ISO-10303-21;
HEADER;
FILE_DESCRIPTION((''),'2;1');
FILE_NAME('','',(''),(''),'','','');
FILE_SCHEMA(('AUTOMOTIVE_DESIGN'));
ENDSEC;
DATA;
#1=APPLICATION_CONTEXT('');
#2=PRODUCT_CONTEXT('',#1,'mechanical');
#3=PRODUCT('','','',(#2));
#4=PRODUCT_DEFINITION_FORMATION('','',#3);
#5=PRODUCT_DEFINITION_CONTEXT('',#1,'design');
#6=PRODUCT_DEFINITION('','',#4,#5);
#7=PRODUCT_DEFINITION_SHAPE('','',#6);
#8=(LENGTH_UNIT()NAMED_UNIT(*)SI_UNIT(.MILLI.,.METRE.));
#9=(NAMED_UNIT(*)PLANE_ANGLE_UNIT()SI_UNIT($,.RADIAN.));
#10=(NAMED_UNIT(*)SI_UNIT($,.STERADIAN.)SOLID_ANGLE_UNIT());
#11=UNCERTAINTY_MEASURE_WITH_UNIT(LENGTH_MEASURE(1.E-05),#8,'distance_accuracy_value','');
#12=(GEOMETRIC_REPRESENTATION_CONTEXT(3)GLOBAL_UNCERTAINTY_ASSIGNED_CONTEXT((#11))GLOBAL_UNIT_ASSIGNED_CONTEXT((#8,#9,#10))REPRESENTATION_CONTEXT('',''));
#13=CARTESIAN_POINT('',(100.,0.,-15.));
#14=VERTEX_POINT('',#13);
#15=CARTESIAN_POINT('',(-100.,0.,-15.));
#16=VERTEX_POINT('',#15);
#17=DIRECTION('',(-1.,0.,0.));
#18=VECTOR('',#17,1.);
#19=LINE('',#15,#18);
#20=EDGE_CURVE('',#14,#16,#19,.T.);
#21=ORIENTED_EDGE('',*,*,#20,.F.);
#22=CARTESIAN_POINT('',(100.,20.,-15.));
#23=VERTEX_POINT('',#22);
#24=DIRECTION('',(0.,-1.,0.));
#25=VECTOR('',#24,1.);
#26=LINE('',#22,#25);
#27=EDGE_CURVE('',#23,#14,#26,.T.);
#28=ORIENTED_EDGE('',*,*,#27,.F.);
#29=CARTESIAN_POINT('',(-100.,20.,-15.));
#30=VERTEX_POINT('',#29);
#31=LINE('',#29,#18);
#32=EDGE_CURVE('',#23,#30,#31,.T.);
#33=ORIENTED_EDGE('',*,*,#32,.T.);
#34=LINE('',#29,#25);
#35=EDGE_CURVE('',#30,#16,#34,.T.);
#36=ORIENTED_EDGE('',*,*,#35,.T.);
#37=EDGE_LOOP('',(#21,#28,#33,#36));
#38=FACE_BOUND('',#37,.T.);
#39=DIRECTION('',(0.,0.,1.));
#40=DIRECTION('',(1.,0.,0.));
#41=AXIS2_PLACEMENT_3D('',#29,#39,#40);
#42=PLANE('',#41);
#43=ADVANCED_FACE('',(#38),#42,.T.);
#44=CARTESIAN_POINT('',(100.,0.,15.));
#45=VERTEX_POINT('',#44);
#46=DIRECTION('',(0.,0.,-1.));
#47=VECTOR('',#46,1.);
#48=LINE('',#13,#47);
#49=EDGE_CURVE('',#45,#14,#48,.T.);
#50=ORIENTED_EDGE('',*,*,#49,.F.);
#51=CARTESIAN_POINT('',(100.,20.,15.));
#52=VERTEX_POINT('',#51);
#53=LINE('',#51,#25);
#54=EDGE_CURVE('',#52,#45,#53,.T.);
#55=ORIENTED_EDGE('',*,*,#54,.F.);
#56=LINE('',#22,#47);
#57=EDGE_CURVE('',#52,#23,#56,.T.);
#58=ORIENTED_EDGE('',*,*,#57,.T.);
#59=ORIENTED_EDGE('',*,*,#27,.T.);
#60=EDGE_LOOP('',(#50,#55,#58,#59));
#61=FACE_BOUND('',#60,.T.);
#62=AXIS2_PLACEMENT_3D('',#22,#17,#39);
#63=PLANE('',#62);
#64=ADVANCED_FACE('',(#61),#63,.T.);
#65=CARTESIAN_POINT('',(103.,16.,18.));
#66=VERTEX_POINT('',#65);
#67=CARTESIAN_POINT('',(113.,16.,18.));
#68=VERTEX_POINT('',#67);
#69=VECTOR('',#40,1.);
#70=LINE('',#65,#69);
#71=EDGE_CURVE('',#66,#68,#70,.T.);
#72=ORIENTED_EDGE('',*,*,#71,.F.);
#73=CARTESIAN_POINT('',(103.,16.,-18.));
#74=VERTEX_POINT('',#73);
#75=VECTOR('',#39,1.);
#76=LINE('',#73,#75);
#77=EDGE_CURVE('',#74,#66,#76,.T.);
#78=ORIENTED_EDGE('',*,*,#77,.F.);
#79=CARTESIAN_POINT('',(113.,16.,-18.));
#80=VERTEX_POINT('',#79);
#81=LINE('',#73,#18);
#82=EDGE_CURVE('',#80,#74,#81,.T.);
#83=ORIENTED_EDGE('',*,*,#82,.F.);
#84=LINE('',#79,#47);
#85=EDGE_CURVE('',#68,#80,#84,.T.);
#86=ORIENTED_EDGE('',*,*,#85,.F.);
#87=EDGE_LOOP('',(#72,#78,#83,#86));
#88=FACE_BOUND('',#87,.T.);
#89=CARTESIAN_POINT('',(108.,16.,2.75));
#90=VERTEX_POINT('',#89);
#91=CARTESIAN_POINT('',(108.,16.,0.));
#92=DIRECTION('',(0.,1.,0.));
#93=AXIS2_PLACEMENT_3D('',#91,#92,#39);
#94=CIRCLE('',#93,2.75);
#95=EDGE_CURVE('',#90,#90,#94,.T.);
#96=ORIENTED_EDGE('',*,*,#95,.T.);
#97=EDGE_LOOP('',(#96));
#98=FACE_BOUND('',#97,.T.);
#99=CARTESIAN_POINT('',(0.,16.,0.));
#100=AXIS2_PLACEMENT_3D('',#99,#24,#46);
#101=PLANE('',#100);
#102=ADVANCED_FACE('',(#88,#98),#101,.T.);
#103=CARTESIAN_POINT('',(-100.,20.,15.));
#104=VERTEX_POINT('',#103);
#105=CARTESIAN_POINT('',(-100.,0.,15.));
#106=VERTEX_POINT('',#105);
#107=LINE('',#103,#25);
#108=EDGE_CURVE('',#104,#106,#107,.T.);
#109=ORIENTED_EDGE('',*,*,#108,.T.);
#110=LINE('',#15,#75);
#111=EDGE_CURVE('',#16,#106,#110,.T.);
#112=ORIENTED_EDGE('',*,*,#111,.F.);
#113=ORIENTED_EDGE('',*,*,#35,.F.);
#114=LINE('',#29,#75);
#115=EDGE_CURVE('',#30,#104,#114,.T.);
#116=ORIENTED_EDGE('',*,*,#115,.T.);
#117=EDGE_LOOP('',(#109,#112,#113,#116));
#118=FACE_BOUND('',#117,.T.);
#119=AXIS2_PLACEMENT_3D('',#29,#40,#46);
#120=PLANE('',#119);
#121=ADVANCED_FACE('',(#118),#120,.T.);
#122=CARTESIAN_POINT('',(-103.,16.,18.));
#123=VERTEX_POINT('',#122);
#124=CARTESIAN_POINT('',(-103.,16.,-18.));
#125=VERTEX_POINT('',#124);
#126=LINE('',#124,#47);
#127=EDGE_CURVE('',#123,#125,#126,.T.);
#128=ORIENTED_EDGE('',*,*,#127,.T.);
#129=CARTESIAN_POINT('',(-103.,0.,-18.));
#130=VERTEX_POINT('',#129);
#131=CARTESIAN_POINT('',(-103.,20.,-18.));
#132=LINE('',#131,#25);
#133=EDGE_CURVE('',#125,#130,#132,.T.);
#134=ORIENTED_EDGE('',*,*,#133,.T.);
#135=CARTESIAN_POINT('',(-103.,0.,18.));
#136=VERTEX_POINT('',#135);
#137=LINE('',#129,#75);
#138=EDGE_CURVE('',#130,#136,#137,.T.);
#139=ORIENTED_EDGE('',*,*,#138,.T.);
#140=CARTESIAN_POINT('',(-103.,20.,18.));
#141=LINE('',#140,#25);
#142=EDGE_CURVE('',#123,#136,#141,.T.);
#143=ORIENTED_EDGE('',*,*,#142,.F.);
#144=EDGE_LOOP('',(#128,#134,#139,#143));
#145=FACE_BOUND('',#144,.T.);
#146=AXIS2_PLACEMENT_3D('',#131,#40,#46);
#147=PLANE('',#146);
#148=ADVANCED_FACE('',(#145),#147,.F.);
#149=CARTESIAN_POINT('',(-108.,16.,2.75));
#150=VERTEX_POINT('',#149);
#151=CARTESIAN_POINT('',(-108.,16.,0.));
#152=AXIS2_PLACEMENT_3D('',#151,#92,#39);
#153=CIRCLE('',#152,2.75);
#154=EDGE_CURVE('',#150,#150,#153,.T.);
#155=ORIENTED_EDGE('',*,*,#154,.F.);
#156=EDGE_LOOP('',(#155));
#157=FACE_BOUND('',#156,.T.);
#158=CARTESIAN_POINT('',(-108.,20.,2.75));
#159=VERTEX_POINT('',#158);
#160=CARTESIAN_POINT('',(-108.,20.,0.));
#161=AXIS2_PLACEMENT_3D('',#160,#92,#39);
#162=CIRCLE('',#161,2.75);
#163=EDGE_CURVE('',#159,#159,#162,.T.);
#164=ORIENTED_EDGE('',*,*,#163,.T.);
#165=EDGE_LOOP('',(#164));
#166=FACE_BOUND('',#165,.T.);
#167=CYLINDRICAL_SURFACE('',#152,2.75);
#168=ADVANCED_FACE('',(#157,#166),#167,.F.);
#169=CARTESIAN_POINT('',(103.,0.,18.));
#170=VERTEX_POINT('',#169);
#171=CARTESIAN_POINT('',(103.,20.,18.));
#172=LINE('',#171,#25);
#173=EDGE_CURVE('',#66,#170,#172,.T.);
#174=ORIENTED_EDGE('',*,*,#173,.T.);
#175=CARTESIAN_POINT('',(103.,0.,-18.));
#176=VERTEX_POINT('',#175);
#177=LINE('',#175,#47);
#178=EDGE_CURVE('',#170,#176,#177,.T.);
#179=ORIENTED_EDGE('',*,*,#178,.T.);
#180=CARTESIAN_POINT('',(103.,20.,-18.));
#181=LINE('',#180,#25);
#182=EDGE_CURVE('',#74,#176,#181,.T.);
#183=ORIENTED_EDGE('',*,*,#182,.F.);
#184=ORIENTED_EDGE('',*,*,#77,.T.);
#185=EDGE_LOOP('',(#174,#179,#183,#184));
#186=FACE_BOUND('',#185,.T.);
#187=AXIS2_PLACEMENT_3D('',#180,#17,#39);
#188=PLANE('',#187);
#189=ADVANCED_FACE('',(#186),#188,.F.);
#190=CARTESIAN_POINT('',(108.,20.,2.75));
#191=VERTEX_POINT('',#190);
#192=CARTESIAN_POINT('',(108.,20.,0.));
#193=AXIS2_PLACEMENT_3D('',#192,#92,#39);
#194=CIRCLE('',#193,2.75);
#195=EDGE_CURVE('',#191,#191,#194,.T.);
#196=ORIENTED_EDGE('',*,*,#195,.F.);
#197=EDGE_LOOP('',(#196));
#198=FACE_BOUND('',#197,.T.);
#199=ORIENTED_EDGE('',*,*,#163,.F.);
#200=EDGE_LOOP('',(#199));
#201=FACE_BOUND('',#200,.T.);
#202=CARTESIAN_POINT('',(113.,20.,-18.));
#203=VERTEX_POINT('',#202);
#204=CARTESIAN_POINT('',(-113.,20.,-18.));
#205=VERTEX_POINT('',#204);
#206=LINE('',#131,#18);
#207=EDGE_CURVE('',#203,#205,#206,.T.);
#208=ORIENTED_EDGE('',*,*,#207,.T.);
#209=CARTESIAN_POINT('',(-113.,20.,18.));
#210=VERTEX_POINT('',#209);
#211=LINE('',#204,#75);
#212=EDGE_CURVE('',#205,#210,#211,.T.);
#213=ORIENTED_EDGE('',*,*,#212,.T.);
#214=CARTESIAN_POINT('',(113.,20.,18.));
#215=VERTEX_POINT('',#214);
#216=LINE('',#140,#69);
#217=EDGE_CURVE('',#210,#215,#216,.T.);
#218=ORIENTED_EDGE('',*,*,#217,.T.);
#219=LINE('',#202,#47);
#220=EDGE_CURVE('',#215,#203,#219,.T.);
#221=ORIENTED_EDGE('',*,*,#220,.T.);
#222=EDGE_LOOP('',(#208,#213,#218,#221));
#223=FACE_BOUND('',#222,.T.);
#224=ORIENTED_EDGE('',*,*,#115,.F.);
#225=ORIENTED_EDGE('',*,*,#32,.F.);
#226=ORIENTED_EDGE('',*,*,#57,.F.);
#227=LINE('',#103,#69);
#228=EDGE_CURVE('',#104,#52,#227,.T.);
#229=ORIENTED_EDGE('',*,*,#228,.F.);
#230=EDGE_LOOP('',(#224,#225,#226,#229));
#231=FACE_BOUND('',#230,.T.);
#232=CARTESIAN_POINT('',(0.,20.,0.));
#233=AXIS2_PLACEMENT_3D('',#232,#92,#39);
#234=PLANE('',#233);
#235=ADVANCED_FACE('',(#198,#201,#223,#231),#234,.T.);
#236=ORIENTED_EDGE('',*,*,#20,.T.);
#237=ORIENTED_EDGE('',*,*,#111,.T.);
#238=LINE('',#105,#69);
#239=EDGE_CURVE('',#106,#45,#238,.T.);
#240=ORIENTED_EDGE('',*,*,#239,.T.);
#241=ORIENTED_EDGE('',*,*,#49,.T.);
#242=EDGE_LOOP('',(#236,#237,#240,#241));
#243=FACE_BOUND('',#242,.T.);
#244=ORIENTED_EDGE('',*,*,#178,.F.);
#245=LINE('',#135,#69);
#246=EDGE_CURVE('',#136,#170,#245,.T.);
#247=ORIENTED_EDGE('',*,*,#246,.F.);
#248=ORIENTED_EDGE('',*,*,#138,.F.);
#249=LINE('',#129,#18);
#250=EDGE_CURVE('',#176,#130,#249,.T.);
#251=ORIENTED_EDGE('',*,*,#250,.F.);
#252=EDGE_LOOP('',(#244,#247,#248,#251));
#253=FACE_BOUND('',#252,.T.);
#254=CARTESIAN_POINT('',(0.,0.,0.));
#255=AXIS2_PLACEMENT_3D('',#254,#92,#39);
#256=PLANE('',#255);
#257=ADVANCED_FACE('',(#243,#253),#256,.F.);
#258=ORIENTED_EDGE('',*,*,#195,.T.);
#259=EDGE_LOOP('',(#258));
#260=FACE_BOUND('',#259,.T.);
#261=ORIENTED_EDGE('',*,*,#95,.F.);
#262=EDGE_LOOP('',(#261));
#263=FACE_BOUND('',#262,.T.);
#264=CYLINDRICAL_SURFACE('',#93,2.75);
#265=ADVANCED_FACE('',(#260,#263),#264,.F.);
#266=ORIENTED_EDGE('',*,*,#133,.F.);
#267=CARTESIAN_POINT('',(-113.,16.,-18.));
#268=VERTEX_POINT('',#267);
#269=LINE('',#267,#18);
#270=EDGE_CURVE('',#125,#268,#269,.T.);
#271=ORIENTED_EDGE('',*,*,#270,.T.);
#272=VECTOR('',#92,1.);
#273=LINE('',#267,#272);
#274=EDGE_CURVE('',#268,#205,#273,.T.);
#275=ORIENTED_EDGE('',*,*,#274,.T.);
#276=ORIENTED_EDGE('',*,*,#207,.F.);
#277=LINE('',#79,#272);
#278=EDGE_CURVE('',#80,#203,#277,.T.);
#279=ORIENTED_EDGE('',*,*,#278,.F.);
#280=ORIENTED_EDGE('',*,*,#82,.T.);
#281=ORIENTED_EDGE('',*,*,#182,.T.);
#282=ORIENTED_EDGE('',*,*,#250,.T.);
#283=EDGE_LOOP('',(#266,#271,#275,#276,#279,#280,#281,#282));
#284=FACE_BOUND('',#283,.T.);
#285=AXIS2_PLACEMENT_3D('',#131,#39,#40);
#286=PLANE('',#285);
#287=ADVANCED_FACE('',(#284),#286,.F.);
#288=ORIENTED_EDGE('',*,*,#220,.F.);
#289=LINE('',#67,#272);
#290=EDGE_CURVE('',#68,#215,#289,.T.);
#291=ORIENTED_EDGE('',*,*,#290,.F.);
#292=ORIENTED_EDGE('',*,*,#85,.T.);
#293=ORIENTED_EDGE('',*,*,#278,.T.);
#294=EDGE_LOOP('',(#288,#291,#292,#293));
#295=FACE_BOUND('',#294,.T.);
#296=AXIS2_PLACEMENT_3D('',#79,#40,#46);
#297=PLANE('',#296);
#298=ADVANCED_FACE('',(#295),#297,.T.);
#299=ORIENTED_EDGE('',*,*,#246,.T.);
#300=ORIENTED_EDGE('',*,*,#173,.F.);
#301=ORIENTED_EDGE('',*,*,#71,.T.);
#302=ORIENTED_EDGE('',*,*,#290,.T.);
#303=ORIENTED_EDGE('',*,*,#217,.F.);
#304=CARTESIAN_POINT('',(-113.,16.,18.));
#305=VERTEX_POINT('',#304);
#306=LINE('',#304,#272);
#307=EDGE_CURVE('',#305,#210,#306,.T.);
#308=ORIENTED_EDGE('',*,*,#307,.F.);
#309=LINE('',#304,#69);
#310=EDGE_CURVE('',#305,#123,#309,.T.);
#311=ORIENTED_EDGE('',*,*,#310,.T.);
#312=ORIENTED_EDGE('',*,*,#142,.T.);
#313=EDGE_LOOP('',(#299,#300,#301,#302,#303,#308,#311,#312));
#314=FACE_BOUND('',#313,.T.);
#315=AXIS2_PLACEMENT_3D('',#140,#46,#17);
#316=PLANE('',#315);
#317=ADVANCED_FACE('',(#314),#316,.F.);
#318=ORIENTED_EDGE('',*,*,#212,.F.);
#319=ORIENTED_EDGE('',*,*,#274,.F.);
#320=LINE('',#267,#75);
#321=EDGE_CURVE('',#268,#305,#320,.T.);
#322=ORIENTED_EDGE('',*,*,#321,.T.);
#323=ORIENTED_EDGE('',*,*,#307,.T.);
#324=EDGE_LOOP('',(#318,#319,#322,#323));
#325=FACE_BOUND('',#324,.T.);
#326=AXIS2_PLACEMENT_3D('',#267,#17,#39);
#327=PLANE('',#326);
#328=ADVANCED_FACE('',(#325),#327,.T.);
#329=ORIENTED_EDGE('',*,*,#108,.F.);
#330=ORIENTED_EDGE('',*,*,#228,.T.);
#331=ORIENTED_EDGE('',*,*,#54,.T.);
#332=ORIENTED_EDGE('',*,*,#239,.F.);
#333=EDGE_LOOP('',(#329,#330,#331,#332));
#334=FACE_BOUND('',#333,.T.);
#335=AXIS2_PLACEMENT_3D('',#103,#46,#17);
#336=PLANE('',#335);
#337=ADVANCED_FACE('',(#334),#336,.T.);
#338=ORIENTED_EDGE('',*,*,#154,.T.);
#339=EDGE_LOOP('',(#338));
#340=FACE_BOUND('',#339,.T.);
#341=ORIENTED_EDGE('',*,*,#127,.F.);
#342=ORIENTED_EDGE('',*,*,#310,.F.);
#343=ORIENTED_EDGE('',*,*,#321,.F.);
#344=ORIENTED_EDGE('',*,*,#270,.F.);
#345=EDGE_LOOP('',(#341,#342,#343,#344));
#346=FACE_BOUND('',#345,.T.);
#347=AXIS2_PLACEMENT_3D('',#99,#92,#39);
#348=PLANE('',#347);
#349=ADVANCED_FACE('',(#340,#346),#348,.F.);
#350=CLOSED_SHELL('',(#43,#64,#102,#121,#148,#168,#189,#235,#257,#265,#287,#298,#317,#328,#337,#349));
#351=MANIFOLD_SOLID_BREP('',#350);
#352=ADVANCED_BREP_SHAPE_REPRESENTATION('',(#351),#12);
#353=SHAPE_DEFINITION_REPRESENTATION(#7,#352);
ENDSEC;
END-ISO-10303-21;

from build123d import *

# Parameters (mm, degrees)
SKETCH_1_W          = 206
SKETCH_1_H          = 36
SKETCH_1_W_2        = 200
SKETCH_1_H_2        = 30
EXTRUDE_1_DEPTH     = 20
SKETCH_2_W          = 10
SKETCH_2_H          = 36
EXTRUDE_2_DEPTH     = 4
SKETCH_3_R          = 2.75
CUT_EXTRUDE_1_DEPTH = 4


with BuildPart() as part:
    # 草图1 → 凸台-拉伸1 (new body)
    with BuildSketch(Plane(origin=(0, 0, 0), x_dir=(1, 0, 0), z_dir=(0, 1, 0))):
        Rectangle(SKETCH_1_W, SKETCH_1_H)
        Rectangle(SKETCH_1_W_2, SKETCH_1_H_2, mode=Mode.SUBTRACT)
    extrude(amount=EXTRUDE_1_DEPTH)

    # 草图2 → 凸台-拉伸2 (add)
    with BuildSketch(Plane(origin=(0, 20, 0), x_dir=(1, 0, 0), z_dir=(0, 1, 0))):
        with Locations((-108, 0)):
            Rectangle(SKETCH_2_W, SKETCH_2_H)
        with Locations((108, 0)):
            Rectangle(SKETCH_2_W, SKETCH_2_H)
    extrude(amount=-EXTRUDE_2_DEPTH)

    # 草图3 → 切除-拉伸1 (cut)
    with BuildSketch(Plane(origin=(0, 20, 0), x_dir=(1, 0, 0), z_dir=(0, 1, 0))):
        with Locations(Location((108, 0, 0), (0, 0, 270))):
            Circle(SKETCH_3_R)
        with Locations(Location((-108, 0, 0), (0, 0, 270))):
            Circle(SKETCH_3_R)
    extrude(amount=-CUT_EXTRUDE_1_DEPTH, mode=Mode.SUBTRACT)


solid = part.part
